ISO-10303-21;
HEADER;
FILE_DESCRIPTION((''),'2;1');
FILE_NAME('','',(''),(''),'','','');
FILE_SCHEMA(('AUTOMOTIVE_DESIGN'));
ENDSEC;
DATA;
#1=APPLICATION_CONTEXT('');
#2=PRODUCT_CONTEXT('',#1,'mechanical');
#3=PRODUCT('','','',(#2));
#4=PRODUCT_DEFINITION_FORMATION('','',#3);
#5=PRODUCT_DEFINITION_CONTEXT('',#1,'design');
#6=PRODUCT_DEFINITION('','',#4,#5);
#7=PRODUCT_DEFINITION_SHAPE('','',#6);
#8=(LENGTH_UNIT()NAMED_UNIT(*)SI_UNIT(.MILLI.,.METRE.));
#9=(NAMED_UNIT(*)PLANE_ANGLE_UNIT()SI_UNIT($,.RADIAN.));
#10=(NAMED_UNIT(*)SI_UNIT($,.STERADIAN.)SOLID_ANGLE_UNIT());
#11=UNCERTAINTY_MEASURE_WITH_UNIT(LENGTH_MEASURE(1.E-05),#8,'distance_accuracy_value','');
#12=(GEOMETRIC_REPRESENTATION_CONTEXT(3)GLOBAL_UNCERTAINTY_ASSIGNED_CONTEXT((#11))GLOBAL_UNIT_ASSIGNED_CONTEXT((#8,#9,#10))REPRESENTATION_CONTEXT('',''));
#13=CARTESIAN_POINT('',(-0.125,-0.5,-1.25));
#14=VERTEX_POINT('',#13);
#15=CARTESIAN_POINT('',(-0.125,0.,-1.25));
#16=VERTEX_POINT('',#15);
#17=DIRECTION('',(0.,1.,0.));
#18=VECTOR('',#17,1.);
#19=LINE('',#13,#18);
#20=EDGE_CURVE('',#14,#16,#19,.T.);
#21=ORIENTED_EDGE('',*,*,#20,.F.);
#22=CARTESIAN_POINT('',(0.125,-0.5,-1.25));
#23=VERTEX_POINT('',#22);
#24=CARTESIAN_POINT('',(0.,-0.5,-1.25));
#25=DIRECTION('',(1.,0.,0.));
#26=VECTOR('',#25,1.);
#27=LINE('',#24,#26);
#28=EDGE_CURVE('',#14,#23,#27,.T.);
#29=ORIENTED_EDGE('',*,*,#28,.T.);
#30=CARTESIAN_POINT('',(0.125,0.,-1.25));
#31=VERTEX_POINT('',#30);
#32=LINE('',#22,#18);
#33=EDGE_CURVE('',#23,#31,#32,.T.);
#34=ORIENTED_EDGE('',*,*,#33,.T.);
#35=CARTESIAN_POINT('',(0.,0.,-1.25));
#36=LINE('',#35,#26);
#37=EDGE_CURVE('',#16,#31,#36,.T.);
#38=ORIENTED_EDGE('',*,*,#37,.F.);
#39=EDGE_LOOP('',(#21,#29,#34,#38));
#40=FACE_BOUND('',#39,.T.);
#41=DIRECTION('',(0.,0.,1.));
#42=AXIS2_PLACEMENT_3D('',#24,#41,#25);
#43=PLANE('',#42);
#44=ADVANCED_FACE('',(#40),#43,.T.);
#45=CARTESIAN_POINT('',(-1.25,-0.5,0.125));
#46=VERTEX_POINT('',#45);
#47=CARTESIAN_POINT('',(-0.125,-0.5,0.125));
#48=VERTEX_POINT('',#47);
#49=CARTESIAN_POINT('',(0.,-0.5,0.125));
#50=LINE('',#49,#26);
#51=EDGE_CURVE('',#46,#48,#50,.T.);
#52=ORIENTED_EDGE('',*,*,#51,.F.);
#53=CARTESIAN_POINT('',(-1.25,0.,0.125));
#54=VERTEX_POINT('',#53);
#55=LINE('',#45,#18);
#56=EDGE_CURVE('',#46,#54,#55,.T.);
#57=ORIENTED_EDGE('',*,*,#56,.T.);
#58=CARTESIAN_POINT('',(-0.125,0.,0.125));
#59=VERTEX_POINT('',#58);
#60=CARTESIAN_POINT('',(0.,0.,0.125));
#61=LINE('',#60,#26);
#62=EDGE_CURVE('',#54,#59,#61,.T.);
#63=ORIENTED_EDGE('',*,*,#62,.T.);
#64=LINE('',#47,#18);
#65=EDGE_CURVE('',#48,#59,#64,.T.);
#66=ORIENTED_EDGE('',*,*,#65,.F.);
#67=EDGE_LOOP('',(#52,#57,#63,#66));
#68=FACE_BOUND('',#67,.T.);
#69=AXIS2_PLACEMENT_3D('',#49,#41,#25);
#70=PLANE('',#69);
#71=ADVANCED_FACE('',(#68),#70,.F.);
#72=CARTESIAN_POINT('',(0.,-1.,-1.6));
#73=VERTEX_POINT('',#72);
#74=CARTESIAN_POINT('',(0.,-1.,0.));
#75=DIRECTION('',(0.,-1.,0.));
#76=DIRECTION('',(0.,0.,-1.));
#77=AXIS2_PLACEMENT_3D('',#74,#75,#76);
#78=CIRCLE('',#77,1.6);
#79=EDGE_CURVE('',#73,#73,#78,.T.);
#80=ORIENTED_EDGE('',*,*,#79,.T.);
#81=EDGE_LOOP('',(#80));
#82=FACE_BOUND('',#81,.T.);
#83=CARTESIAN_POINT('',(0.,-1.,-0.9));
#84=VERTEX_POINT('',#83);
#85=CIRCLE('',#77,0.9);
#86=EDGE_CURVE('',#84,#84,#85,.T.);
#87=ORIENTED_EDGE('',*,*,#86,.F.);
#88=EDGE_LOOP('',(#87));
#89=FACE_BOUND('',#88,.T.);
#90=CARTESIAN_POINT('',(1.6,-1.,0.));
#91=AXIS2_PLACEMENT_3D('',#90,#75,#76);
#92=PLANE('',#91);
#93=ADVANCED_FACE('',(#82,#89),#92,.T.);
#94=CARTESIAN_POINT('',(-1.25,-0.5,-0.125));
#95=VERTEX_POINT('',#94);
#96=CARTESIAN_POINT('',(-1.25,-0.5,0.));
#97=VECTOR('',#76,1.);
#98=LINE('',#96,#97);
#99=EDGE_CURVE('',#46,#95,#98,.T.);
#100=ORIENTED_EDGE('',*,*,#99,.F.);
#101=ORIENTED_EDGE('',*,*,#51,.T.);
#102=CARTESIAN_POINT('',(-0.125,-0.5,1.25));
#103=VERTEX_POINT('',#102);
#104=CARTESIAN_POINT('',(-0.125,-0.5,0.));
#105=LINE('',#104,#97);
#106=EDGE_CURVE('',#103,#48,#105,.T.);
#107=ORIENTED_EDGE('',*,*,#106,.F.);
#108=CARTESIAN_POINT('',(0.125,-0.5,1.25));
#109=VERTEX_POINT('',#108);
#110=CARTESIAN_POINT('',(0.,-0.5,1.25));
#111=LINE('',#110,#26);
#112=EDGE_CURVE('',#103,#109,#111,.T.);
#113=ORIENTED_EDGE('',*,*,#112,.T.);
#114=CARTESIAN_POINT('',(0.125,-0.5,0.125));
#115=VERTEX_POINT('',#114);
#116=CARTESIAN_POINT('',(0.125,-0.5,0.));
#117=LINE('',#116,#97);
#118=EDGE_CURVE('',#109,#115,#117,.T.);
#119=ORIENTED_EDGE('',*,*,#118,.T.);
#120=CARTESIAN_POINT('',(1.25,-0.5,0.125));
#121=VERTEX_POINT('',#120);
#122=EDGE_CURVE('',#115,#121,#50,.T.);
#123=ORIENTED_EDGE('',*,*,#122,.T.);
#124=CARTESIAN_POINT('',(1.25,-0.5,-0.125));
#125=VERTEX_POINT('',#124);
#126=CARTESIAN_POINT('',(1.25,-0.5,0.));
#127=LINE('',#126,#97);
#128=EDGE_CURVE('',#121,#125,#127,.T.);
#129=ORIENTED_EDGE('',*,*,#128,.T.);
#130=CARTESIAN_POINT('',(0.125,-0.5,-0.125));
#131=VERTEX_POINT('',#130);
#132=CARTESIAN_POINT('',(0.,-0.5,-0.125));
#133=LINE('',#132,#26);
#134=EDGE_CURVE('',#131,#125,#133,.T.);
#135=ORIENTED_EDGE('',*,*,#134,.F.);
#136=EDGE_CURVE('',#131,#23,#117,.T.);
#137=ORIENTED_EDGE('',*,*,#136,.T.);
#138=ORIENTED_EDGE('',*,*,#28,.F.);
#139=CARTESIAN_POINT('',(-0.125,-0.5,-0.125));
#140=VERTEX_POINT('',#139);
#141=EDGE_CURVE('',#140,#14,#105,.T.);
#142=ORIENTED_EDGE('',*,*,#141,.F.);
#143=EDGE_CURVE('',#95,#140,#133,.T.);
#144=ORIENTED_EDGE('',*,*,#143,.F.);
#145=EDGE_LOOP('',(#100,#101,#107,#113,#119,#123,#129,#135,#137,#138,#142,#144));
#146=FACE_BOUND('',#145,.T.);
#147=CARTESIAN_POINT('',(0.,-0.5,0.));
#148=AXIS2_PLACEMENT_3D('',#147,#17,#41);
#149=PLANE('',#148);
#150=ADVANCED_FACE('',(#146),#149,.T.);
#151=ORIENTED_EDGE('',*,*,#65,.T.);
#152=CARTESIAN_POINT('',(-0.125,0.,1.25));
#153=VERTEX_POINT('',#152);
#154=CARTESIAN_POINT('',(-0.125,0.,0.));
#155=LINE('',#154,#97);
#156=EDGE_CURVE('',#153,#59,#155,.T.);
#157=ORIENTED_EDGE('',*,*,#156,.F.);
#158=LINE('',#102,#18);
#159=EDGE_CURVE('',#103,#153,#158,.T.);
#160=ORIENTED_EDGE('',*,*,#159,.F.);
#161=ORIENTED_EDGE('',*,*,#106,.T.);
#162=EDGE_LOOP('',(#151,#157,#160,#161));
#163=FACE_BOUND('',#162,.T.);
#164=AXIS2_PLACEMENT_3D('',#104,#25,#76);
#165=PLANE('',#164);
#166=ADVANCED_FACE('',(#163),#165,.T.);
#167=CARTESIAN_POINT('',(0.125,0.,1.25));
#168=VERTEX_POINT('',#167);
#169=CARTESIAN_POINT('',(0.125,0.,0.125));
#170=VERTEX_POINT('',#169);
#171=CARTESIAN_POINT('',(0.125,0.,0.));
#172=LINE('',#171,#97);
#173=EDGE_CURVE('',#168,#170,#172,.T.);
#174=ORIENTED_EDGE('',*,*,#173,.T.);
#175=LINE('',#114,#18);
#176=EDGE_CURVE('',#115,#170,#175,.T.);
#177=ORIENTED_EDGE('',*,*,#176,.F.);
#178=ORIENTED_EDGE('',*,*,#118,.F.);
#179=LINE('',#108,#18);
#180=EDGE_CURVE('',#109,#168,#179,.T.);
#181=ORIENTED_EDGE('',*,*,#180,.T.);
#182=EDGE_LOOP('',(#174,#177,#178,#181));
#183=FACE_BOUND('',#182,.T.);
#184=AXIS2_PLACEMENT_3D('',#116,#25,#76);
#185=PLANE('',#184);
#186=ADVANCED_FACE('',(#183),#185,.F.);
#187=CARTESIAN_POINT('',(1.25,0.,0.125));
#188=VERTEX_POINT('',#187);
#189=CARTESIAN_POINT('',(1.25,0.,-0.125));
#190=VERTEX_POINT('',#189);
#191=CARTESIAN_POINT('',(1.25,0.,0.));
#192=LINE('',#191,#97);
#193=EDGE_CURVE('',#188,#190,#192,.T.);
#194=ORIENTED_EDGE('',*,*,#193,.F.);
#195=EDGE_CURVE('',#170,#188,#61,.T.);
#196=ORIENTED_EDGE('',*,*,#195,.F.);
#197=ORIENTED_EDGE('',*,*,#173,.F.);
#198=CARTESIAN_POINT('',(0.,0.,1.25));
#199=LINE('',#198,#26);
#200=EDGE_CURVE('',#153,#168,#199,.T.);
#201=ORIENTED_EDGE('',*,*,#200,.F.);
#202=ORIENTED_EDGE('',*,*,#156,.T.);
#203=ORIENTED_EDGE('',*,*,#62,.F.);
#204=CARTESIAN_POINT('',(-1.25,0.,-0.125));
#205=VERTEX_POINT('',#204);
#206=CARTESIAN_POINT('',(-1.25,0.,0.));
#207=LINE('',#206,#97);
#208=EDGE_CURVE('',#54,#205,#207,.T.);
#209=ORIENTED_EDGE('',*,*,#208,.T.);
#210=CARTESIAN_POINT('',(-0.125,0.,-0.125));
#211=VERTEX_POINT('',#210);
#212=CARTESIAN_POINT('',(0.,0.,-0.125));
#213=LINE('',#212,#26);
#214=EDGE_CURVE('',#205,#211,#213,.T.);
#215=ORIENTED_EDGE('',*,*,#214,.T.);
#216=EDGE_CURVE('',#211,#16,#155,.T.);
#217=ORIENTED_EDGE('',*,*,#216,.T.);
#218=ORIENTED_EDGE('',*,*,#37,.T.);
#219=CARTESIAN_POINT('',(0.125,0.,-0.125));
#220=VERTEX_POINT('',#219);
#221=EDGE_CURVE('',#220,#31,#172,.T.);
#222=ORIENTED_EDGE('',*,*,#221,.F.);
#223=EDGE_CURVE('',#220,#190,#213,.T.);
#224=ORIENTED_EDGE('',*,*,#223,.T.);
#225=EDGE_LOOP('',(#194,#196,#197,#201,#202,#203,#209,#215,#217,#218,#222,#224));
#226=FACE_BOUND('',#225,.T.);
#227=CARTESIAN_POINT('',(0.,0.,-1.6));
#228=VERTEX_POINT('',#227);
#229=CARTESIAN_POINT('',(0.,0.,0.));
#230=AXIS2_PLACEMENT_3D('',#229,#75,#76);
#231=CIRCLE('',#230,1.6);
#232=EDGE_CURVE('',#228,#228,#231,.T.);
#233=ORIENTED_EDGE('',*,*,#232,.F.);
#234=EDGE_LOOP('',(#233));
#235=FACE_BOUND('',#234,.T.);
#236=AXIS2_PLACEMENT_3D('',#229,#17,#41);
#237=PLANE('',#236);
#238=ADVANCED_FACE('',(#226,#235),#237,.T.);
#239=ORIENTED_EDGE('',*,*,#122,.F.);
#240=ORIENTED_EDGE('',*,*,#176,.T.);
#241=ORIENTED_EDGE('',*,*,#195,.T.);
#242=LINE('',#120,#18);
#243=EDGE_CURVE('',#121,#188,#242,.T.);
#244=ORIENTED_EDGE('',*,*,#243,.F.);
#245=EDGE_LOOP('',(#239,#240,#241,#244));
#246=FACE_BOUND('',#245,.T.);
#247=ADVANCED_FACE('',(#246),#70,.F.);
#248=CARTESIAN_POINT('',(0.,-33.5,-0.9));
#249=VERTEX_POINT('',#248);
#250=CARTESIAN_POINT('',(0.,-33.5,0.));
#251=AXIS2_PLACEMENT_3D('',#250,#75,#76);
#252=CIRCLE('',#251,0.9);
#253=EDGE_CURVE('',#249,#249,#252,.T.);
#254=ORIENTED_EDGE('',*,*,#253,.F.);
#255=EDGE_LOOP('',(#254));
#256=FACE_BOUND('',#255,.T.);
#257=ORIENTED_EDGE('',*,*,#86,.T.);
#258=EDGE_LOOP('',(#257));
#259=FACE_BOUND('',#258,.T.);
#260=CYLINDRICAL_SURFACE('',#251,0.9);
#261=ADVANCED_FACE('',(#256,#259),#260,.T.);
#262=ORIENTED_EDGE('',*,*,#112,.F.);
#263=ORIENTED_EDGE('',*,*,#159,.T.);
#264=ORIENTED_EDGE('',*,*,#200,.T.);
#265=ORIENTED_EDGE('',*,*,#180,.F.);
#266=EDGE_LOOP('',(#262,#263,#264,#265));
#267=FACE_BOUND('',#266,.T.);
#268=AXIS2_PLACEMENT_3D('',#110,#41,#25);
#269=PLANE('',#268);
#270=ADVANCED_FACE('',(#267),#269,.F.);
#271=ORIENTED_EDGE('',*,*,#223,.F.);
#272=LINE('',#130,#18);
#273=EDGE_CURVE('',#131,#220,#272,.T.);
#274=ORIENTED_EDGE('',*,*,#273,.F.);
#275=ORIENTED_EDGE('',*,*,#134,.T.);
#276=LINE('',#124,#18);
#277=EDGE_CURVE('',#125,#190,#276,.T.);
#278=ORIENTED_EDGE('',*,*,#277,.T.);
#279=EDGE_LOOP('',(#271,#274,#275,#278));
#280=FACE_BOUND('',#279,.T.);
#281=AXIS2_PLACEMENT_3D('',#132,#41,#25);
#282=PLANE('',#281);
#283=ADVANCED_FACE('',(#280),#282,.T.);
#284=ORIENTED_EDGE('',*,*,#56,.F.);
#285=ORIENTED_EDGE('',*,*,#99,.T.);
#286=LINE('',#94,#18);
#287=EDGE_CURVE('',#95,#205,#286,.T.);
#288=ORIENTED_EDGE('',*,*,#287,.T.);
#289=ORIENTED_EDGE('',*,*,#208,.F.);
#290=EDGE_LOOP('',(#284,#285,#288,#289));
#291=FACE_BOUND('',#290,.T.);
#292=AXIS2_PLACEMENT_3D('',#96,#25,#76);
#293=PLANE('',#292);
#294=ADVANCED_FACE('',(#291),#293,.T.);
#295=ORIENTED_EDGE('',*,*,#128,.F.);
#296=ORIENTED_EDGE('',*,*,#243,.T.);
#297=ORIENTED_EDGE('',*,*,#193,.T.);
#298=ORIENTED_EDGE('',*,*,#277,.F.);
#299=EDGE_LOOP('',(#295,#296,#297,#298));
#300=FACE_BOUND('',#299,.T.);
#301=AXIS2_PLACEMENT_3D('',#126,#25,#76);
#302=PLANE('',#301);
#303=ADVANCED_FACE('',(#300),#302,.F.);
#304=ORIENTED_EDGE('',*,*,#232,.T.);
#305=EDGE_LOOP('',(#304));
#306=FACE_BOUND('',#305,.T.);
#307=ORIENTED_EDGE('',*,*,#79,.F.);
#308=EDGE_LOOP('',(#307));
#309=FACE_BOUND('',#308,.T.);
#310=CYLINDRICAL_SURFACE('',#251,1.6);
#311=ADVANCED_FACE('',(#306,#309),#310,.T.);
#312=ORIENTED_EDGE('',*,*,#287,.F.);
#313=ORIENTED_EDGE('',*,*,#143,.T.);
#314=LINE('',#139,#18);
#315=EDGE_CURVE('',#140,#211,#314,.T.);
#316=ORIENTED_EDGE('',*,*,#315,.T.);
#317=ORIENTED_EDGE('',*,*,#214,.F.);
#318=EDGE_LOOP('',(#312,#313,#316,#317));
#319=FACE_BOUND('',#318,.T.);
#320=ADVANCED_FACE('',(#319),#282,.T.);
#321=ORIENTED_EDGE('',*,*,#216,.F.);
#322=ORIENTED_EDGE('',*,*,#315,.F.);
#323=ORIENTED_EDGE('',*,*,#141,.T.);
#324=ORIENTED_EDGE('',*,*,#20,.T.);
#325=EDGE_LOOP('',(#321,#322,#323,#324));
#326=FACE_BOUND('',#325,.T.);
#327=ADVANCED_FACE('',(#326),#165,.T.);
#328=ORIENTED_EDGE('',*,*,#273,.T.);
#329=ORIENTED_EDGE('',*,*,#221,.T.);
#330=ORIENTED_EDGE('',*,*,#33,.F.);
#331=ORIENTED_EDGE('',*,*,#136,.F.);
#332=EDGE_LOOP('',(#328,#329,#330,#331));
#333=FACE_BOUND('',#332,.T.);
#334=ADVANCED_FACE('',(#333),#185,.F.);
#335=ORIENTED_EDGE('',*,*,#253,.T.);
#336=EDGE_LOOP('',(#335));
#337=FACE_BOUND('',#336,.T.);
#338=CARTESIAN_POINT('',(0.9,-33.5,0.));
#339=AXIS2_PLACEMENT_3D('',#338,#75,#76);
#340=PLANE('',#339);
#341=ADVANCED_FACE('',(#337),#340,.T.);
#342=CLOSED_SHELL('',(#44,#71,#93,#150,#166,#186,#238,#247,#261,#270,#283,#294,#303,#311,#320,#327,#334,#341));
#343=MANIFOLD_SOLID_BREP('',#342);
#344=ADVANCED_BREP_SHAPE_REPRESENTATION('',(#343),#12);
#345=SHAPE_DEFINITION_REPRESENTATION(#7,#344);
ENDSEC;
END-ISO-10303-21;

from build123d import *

# Parameters (mm, degrees)
SKETCH2_W          = 0.25
SKETCH2_H          = 1.125
SKETCH2_W_2        = 1.125
SKETCH2_H_2        = 0.25
CUT_EXTRUDE1_DEPTH = 0.5


with BuildPart() as part:
    # Sketch1 → Revolve1 (revolve)
    with BuildSketch(Plane.XY, mode=Mode.PRIVATE) as revolve1_sk:
        Polygon((0, 0), (1.6, 0), (1.6, -1), (0.9, -1), (0.9, -33.5), (0, -33.5), align=None)
    revolve(revolve1_sk.sketch.rotate(Axis((0, -33.5, 0), (0, 1, 0)), 90), axis=Axis((0, -33.5, 0), (0, 1, 0)))

    # Sketch2 → Cut-Extrude1 (cut)
    with BuildSketch(Plane(origin=(0, 0, 0), x_dir=(1, 0, 0), z_dir=(0, 1, 0))):
        with Locations((0, -0.6875)):
            Rectangle(SKETCH2_W, SKETCH2_H)
        with Locations((-0.6875, 0)):
            Rectangle(SKETCH2_W_2, SKETCH2_H_2)
        with Locations((0, 0.6875)):
            Rectangle(SKETCH2_W, SKETCH2_H)
        with Locations((0.6875, 0)):
            Rectangle(SKETCH2_W_2, SKETCH2_H_2)
        Rectangle(SKETCH2_W, SKETCH2_H_2)
    extrude(amount=-CUT_EXTRUDE1_DEPTH, mode=Mode.SUBTRACT)


solid = part.part
